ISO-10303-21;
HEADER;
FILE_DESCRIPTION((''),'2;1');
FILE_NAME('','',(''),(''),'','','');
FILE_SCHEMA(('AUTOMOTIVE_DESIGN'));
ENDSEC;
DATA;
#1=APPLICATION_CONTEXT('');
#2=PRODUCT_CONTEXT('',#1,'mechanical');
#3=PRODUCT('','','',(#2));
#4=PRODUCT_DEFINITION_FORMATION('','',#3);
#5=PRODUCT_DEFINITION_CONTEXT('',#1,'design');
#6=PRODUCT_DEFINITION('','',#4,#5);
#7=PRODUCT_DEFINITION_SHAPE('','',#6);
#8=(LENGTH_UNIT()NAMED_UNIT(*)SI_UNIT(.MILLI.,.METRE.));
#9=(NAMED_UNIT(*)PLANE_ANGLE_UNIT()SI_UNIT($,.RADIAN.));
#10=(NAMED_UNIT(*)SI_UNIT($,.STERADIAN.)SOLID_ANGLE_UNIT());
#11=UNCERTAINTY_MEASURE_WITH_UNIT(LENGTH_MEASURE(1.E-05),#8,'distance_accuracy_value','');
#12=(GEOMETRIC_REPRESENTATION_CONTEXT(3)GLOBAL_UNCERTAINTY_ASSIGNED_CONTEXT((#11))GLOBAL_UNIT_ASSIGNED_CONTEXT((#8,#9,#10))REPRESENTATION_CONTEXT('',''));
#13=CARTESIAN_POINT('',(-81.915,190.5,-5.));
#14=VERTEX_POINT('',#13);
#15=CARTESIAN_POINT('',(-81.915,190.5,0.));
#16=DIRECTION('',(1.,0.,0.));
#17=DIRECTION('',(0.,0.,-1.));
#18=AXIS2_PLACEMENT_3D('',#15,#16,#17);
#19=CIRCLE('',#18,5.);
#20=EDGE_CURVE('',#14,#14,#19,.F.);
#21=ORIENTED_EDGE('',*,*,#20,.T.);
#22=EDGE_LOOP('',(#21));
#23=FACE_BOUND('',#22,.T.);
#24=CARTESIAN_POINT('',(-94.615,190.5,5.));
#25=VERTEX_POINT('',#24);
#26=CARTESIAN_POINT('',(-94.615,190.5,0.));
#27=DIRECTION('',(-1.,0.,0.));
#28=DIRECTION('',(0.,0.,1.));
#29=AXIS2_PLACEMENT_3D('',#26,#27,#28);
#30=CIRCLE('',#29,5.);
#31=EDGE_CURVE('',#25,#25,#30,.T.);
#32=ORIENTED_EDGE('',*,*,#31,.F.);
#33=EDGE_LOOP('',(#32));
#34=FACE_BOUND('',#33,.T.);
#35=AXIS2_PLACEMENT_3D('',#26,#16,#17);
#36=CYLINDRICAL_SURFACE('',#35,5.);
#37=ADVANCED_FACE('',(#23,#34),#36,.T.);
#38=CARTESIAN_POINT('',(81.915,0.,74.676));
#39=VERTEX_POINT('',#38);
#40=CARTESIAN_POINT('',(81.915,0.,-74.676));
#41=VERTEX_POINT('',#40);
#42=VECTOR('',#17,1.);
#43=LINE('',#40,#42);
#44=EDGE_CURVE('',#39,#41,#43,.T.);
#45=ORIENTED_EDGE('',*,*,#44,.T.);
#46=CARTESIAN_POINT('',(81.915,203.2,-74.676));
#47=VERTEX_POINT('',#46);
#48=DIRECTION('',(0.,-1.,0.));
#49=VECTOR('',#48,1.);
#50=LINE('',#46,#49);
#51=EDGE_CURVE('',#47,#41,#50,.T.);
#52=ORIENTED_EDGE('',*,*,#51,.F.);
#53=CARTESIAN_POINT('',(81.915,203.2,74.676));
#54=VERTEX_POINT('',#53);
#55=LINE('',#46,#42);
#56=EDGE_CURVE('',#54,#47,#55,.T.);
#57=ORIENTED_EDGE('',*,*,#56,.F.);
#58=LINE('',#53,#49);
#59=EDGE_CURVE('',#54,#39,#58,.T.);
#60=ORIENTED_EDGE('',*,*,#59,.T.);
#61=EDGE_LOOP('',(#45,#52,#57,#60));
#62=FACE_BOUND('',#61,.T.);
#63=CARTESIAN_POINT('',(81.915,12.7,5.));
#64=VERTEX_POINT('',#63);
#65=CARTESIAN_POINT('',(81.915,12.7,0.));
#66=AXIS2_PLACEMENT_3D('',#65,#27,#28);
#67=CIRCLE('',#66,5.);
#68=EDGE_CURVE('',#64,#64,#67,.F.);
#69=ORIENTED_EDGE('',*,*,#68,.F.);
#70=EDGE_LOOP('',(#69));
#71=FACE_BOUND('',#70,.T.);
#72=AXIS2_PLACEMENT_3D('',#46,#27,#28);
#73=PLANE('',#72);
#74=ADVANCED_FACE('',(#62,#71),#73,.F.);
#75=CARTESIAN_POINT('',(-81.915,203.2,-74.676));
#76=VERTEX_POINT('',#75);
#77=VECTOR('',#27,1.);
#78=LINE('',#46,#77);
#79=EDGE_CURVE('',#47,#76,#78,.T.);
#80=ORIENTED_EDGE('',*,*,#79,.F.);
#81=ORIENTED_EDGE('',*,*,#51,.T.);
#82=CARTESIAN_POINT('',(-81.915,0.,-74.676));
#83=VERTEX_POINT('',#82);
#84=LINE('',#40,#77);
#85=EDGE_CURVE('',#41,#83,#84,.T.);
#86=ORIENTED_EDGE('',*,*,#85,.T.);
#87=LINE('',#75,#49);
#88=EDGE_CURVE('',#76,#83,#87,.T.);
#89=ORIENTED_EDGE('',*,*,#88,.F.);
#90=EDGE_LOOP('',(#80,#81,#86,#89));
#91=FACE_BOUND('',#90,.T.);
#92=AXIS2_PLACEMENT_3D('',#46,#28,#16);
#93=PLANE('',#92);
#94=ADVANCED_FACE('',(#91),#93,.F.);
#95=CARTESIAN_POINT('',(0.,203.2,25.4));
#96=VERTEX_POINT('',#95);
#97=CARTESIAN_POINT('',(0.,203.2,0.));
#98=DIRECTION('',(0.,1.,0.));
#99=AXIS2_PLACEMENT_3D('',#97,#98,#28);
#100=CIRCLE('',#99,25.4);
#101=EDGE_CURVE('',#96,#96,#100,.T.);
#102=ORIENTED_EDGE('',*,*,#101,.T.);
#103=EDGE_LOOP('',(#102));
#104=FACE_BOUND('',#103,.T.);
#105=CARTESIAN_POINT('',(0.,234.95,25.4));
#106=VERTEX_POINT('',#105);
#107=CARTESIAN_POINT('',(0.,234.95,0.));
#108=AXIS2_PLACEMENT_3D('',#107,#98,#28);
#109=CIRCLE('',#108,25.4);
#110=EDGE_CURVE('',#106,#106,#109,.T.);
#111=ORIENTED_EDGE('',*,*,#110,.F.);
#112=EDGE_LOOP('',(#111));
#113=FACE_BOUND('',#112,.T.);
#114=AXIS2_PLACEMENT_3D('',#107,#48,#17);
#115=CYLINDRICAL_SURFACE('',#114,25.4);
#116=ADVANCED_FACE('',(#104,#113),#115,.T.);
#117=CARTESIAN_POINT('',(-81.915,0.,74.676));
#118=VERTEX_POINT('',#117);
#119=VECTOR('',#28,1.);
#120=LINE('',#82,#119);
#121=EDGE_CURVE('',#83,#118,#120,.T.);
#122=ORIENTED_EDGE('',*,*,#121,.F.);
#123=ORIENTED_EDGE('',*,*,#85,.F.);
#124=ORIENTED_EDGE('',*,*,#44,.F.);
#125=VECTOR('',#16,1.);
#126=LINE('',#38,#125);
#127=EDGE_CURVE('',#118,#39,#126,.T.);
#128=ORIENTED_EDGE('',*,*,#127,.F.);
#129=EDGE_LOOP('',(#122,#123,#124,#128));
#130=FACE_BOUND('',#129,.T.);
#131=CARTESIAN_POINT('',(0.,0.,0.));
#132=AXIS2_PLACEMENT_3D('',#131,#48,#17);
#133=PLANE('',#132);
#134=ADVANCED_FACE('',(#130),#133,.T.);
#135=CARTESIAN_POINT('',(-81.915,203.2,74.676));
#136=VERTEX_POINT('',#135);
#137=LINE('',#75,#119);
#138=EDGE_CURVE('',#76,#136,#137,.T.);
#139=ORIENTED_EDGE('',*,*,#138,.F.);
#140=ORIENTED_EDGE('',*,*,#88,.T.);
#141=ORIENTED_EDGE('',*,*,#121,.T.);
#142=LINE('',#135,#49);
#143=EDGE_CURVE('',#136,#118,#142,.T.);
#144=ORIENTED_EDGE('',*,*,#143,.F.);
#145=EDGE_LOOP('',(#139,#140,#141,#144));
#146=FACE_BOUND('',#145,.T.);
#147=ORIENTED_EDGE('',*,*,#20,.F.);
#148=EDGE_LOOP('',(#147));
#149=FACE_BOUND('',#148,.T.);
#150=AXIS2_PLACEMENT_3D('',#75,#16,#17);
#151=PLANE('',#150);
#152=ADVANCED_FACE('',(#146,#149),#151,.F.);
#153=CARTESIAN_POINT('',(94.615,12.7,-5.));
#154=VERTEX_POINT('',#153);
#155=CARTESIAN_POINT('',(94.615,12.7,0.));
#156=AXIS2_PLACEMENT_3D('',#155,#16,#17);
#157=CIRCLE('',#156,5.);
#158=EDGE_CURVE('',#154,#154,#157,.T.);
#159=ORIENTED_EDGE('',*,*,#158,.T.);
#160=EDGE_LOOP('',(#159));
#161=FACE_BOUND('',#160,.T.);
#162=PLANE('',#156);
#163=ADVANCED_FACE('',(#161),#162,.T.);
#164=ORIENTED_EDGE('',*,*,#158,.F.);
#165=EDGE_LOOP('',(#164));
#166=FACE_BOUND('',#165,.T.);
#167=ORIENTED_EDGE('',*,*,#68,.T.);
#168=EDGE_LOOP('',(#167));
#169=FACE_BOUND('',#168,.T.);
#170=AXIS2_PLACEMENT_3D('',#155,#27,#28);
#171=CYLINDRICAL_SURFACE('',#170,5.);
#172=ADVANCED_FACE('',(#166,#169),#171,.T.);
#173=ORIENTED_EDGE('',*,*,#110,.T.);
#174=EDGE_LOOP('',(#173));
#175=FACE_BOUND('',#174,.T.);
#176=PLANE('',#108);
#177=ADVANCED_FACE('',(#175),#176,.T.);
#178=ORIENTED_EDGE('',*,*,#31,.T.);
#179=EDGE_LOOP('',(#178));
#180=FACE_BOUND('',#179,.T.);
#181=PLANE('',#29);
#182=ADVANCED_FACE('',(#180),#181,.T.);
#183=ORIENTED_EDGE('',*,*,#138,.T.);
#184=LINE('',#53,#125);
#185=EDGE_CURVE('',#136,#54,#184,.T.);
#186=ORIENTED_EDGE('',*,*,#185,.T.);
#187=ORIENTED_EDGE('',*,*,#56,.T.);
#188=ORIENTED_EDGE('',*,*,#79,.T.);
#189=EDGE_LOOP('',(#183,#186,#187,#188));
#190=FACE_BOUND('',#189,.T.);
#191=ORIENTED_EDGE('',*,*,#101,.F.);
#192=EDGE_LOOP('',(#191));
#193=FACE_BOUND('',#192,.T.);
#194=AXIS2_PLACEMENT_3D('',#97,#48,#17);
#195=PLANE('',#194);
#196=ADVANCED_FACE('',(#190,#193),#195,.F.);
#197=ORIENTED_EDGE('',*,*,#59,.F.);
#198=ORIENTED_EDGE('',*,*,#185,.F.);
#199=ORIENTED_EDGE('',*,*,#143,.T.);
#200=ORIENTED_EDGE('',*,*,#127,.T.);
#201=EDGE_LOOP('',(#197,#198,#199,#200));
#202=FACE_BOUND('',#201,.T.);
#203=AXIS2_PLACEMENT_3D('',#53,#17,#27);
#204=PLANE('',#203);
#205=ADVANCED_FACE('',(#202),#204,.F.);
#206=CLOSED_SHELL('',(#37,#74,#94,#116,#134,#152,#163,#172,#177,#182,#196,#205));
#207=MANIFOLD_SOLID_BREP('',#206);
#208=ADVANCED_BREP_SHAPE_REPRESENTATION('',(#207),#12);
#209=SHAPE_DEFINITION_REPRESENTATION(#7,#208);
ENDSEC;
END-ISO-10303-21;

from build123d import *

# Parameters (mm, degrees)
SKETCH1_W           = 163.83
SKETCH1_H           = 149.352
BOSS_EXTRUDE1_DEPTH = 203.2
SKETCH2_R           = 25.4
BOSS_EXTRUDE2_DEPTH = 31.75
SKETCH3_R           = 5
BOSS_EXTRUDE3_DEPTH = 12.7
SKETCH5_R           = 5
BOSS_EXTRUDE4_DEPTH = 12.7


with BuildPart() as part:
    # Sketch1 → Boss-Extrude1 (new body)
    with BuildSketch(Plane(origin=(0, 0, 0), x_dir=(1, 0, 0), z_dir=(0, 1, 0))):
        Rectangle(SKETCH1_W, SKETCH1_H)
    extrude(amount=BOSS_EXTRUDE1_DEPTH)

    # Sketch2 → Boss-Extrude2 (add)
    with BuildSketch(Plane(origin=(0, 203.2, 0), x_dir=(1, 0, 0), z_dir=(0, 1, 0))):
        with Locations(Location((0, 0, 0), (0, 0, 270))):
            Circle(SKETCH2_R)
    extrude(amount=BOSS_EXTRUDE2_DEPTH)

    # Sketch3 → Boss-Extrude3 (add)
    with BuildSketch(Plane.ZY.offset(81.915)):
        with Locations(Location((0, 190.5, 0), (0, 0, 180))):
            Circle(SKETCH3_R)
    extrude(amount=BOSS_EXTRUDE3_DEPTH)

    # Sketch5 → Boss-Extrude4 (add)
    with BuildSketch(Plane(origin=(81.915, 0, 0), x_dir=(0, 0, -1), z_dir=(1, 0, 0))):
        with Locations(Location((0, 12.7, 0), (0, 0, 180))):
            Circle(SKETCH5_R)
    extrude(amount=BOSS_EXTRUDE4_DEPTH)


solid = part.part
